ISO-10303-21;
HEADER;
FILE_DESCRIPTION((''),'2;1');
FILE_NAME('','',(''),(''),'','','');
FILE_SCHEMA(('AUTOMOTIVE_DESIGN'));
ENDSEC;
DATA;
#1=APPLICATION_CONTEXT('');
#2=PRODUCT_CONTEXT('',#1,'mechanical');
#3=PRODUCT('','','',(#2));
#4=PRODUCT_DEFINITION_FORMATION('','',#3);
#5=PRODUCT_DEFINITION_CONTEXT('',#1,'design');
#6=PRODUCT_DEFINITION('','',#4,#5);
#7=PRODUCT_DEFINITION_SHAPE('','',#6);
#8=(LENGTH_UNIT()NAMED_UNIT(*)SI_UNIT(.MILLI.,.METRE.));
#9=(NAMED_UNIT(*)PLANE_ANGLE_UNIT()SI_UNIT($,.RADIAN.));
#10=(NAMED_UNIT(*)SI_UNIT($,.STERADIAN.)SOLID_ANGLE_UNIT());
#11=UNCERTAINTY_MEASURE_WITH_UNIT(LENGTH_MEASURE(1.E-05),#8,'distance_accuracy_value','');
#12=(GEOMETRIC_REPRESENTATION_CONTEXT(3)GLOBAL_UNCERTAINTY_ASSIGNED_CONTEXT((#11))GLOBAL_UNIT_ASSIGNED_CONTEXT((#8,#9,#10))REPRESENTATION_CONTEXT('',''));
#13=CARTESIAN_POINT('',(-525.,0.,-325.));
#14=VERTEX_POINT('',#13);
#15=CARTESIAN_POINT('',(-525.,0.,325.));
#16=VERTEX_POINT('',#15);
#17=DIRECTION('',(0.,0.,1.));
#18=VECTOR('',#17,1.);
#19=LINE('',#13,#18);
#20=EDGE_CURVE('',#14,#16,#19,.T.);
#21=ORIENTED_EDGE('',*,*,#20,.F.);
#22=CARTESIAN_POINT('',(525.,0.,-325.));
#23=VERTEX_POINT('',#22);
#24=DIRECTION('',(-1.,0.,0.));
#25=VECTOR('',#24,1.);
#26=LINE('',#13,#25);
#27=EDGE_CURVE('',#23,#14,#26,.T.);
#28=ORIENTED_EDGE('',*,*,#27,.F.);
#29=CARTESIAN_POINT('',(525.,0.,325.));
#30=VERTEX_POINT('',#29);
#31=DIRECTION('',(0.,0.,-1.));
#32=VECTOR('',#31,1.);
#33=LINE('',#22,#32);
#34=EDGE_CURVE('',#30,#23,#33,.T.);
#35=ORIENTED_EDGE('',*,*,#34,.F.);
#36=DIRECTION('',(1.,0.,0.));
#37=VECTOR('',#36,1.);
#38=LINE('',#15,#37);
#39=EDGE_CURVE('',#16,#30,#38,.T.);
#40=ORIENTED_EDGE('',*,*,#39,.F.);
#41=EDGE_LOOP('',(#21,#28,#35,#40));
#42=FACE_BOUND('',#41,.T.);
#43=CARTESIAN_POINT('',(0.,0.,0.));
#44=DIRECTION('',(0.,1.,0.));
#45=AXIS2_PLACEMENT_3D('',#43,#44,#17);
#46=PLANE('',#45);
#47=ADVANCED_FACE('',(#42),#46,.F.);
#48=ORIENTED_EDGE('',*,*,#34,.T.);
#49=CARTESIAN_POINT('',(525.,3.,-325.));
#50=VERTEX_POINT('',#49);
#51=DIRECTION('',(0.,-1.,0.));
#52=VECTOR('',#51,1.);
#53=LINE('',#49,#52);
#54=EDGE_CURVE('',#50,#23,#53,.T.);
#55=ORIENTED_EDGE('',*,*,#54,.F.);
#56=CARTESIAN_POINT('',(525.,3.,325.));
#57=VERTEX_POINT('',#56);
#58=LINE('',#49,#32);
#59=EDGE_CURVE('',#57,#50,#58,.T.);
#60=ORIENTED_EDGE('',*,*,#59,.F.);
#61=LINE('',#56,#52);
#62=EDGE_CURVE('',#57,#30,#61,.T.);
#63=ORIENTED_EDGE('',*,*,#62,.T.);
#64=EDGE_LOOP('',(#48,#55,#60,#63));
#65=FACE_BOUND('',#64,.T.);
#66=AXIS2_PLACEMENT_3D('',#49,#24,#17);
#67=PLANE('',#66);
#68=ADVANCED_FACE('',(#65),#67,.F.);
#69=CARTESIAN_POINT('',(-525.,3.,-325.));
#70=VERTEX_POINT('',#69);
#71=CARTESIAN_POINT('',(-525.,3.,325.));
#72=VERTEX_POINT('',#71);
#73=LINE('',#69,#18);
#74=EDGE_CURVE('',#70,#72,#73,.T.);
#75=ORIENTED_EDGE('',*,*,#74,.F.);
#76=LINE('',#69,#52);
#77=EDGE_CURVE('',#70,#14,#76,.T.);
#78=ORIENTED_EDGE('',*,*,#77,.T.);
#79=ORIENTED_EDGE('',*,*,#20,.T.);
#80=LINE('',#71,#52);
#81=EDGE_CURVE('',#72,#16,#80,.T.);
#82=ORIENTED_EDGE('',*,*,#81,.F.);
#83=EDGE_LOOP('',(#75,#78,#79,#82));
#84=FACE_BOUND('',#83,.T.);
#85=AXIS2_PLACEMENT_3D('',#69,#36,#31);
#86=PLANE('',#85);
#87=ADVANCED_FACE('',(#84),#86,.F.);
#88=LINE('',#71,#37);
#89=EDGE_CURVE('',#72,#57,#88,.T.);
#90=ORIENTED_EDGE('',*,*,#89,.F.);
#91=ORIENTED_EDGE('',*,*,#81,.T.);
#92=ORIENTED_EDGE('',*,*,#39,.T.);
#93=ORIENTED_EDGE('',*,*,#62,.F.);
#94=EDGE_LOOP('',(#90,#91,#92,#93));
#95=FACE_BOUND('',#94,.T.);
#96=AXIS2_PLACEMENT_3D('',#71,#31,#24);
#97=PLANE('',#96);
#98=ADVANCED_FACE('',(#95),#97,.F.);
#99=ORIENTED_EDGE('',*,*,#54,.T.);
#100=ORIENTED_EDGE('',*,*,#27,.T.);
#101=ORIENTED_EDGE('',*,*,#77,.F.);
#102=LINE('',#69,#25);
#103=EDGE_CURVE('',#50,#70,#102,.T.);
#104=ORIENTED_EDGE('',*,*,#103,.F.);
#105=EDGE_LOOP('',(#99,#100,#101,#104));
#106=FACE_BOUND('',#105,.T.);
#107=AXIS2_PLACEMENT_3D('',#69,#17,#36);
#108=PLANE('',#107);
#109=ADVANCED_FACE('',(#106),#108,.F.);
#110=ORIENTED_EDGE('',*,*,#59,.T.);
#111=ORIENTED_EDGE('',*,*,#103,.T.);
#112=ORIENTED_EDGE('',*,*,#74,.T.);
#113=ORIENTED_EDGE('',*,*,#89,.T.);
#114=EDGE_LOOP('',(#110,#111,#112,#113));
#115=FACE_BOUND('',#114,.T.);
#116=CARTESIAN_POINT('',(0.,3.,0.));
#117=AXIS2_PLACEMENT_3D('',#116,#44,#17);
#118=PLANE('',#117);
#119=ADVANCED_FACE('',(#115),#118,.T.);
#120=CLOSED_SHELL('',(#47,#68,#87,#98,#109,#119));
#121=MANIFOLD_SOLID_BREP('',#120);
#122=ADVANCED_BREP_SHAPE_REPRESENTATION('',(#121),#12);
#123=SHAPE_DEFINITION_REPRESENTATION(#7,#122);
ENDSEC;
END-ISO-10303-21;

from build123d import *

# Parameters (mm, degrees)
SKETCH_1_W      = 1050
SKETCH_1_H      = 650
EXTRUDE_1_DEPTH = 3


with BuildPart() as part:
    # 草图1 → 凸台-拉伸1 (new body)
    with BuildSketch(Plane(origin=(0, 0, 0), x_dir=(1, 0, 0), z_dir=(0, 1, 0))):
        Rectangle(SKETCH_1_W, SKETCH_1_H)
    extrude(amount=EXTRUDE_1_DEPTH)


solid = part.part
